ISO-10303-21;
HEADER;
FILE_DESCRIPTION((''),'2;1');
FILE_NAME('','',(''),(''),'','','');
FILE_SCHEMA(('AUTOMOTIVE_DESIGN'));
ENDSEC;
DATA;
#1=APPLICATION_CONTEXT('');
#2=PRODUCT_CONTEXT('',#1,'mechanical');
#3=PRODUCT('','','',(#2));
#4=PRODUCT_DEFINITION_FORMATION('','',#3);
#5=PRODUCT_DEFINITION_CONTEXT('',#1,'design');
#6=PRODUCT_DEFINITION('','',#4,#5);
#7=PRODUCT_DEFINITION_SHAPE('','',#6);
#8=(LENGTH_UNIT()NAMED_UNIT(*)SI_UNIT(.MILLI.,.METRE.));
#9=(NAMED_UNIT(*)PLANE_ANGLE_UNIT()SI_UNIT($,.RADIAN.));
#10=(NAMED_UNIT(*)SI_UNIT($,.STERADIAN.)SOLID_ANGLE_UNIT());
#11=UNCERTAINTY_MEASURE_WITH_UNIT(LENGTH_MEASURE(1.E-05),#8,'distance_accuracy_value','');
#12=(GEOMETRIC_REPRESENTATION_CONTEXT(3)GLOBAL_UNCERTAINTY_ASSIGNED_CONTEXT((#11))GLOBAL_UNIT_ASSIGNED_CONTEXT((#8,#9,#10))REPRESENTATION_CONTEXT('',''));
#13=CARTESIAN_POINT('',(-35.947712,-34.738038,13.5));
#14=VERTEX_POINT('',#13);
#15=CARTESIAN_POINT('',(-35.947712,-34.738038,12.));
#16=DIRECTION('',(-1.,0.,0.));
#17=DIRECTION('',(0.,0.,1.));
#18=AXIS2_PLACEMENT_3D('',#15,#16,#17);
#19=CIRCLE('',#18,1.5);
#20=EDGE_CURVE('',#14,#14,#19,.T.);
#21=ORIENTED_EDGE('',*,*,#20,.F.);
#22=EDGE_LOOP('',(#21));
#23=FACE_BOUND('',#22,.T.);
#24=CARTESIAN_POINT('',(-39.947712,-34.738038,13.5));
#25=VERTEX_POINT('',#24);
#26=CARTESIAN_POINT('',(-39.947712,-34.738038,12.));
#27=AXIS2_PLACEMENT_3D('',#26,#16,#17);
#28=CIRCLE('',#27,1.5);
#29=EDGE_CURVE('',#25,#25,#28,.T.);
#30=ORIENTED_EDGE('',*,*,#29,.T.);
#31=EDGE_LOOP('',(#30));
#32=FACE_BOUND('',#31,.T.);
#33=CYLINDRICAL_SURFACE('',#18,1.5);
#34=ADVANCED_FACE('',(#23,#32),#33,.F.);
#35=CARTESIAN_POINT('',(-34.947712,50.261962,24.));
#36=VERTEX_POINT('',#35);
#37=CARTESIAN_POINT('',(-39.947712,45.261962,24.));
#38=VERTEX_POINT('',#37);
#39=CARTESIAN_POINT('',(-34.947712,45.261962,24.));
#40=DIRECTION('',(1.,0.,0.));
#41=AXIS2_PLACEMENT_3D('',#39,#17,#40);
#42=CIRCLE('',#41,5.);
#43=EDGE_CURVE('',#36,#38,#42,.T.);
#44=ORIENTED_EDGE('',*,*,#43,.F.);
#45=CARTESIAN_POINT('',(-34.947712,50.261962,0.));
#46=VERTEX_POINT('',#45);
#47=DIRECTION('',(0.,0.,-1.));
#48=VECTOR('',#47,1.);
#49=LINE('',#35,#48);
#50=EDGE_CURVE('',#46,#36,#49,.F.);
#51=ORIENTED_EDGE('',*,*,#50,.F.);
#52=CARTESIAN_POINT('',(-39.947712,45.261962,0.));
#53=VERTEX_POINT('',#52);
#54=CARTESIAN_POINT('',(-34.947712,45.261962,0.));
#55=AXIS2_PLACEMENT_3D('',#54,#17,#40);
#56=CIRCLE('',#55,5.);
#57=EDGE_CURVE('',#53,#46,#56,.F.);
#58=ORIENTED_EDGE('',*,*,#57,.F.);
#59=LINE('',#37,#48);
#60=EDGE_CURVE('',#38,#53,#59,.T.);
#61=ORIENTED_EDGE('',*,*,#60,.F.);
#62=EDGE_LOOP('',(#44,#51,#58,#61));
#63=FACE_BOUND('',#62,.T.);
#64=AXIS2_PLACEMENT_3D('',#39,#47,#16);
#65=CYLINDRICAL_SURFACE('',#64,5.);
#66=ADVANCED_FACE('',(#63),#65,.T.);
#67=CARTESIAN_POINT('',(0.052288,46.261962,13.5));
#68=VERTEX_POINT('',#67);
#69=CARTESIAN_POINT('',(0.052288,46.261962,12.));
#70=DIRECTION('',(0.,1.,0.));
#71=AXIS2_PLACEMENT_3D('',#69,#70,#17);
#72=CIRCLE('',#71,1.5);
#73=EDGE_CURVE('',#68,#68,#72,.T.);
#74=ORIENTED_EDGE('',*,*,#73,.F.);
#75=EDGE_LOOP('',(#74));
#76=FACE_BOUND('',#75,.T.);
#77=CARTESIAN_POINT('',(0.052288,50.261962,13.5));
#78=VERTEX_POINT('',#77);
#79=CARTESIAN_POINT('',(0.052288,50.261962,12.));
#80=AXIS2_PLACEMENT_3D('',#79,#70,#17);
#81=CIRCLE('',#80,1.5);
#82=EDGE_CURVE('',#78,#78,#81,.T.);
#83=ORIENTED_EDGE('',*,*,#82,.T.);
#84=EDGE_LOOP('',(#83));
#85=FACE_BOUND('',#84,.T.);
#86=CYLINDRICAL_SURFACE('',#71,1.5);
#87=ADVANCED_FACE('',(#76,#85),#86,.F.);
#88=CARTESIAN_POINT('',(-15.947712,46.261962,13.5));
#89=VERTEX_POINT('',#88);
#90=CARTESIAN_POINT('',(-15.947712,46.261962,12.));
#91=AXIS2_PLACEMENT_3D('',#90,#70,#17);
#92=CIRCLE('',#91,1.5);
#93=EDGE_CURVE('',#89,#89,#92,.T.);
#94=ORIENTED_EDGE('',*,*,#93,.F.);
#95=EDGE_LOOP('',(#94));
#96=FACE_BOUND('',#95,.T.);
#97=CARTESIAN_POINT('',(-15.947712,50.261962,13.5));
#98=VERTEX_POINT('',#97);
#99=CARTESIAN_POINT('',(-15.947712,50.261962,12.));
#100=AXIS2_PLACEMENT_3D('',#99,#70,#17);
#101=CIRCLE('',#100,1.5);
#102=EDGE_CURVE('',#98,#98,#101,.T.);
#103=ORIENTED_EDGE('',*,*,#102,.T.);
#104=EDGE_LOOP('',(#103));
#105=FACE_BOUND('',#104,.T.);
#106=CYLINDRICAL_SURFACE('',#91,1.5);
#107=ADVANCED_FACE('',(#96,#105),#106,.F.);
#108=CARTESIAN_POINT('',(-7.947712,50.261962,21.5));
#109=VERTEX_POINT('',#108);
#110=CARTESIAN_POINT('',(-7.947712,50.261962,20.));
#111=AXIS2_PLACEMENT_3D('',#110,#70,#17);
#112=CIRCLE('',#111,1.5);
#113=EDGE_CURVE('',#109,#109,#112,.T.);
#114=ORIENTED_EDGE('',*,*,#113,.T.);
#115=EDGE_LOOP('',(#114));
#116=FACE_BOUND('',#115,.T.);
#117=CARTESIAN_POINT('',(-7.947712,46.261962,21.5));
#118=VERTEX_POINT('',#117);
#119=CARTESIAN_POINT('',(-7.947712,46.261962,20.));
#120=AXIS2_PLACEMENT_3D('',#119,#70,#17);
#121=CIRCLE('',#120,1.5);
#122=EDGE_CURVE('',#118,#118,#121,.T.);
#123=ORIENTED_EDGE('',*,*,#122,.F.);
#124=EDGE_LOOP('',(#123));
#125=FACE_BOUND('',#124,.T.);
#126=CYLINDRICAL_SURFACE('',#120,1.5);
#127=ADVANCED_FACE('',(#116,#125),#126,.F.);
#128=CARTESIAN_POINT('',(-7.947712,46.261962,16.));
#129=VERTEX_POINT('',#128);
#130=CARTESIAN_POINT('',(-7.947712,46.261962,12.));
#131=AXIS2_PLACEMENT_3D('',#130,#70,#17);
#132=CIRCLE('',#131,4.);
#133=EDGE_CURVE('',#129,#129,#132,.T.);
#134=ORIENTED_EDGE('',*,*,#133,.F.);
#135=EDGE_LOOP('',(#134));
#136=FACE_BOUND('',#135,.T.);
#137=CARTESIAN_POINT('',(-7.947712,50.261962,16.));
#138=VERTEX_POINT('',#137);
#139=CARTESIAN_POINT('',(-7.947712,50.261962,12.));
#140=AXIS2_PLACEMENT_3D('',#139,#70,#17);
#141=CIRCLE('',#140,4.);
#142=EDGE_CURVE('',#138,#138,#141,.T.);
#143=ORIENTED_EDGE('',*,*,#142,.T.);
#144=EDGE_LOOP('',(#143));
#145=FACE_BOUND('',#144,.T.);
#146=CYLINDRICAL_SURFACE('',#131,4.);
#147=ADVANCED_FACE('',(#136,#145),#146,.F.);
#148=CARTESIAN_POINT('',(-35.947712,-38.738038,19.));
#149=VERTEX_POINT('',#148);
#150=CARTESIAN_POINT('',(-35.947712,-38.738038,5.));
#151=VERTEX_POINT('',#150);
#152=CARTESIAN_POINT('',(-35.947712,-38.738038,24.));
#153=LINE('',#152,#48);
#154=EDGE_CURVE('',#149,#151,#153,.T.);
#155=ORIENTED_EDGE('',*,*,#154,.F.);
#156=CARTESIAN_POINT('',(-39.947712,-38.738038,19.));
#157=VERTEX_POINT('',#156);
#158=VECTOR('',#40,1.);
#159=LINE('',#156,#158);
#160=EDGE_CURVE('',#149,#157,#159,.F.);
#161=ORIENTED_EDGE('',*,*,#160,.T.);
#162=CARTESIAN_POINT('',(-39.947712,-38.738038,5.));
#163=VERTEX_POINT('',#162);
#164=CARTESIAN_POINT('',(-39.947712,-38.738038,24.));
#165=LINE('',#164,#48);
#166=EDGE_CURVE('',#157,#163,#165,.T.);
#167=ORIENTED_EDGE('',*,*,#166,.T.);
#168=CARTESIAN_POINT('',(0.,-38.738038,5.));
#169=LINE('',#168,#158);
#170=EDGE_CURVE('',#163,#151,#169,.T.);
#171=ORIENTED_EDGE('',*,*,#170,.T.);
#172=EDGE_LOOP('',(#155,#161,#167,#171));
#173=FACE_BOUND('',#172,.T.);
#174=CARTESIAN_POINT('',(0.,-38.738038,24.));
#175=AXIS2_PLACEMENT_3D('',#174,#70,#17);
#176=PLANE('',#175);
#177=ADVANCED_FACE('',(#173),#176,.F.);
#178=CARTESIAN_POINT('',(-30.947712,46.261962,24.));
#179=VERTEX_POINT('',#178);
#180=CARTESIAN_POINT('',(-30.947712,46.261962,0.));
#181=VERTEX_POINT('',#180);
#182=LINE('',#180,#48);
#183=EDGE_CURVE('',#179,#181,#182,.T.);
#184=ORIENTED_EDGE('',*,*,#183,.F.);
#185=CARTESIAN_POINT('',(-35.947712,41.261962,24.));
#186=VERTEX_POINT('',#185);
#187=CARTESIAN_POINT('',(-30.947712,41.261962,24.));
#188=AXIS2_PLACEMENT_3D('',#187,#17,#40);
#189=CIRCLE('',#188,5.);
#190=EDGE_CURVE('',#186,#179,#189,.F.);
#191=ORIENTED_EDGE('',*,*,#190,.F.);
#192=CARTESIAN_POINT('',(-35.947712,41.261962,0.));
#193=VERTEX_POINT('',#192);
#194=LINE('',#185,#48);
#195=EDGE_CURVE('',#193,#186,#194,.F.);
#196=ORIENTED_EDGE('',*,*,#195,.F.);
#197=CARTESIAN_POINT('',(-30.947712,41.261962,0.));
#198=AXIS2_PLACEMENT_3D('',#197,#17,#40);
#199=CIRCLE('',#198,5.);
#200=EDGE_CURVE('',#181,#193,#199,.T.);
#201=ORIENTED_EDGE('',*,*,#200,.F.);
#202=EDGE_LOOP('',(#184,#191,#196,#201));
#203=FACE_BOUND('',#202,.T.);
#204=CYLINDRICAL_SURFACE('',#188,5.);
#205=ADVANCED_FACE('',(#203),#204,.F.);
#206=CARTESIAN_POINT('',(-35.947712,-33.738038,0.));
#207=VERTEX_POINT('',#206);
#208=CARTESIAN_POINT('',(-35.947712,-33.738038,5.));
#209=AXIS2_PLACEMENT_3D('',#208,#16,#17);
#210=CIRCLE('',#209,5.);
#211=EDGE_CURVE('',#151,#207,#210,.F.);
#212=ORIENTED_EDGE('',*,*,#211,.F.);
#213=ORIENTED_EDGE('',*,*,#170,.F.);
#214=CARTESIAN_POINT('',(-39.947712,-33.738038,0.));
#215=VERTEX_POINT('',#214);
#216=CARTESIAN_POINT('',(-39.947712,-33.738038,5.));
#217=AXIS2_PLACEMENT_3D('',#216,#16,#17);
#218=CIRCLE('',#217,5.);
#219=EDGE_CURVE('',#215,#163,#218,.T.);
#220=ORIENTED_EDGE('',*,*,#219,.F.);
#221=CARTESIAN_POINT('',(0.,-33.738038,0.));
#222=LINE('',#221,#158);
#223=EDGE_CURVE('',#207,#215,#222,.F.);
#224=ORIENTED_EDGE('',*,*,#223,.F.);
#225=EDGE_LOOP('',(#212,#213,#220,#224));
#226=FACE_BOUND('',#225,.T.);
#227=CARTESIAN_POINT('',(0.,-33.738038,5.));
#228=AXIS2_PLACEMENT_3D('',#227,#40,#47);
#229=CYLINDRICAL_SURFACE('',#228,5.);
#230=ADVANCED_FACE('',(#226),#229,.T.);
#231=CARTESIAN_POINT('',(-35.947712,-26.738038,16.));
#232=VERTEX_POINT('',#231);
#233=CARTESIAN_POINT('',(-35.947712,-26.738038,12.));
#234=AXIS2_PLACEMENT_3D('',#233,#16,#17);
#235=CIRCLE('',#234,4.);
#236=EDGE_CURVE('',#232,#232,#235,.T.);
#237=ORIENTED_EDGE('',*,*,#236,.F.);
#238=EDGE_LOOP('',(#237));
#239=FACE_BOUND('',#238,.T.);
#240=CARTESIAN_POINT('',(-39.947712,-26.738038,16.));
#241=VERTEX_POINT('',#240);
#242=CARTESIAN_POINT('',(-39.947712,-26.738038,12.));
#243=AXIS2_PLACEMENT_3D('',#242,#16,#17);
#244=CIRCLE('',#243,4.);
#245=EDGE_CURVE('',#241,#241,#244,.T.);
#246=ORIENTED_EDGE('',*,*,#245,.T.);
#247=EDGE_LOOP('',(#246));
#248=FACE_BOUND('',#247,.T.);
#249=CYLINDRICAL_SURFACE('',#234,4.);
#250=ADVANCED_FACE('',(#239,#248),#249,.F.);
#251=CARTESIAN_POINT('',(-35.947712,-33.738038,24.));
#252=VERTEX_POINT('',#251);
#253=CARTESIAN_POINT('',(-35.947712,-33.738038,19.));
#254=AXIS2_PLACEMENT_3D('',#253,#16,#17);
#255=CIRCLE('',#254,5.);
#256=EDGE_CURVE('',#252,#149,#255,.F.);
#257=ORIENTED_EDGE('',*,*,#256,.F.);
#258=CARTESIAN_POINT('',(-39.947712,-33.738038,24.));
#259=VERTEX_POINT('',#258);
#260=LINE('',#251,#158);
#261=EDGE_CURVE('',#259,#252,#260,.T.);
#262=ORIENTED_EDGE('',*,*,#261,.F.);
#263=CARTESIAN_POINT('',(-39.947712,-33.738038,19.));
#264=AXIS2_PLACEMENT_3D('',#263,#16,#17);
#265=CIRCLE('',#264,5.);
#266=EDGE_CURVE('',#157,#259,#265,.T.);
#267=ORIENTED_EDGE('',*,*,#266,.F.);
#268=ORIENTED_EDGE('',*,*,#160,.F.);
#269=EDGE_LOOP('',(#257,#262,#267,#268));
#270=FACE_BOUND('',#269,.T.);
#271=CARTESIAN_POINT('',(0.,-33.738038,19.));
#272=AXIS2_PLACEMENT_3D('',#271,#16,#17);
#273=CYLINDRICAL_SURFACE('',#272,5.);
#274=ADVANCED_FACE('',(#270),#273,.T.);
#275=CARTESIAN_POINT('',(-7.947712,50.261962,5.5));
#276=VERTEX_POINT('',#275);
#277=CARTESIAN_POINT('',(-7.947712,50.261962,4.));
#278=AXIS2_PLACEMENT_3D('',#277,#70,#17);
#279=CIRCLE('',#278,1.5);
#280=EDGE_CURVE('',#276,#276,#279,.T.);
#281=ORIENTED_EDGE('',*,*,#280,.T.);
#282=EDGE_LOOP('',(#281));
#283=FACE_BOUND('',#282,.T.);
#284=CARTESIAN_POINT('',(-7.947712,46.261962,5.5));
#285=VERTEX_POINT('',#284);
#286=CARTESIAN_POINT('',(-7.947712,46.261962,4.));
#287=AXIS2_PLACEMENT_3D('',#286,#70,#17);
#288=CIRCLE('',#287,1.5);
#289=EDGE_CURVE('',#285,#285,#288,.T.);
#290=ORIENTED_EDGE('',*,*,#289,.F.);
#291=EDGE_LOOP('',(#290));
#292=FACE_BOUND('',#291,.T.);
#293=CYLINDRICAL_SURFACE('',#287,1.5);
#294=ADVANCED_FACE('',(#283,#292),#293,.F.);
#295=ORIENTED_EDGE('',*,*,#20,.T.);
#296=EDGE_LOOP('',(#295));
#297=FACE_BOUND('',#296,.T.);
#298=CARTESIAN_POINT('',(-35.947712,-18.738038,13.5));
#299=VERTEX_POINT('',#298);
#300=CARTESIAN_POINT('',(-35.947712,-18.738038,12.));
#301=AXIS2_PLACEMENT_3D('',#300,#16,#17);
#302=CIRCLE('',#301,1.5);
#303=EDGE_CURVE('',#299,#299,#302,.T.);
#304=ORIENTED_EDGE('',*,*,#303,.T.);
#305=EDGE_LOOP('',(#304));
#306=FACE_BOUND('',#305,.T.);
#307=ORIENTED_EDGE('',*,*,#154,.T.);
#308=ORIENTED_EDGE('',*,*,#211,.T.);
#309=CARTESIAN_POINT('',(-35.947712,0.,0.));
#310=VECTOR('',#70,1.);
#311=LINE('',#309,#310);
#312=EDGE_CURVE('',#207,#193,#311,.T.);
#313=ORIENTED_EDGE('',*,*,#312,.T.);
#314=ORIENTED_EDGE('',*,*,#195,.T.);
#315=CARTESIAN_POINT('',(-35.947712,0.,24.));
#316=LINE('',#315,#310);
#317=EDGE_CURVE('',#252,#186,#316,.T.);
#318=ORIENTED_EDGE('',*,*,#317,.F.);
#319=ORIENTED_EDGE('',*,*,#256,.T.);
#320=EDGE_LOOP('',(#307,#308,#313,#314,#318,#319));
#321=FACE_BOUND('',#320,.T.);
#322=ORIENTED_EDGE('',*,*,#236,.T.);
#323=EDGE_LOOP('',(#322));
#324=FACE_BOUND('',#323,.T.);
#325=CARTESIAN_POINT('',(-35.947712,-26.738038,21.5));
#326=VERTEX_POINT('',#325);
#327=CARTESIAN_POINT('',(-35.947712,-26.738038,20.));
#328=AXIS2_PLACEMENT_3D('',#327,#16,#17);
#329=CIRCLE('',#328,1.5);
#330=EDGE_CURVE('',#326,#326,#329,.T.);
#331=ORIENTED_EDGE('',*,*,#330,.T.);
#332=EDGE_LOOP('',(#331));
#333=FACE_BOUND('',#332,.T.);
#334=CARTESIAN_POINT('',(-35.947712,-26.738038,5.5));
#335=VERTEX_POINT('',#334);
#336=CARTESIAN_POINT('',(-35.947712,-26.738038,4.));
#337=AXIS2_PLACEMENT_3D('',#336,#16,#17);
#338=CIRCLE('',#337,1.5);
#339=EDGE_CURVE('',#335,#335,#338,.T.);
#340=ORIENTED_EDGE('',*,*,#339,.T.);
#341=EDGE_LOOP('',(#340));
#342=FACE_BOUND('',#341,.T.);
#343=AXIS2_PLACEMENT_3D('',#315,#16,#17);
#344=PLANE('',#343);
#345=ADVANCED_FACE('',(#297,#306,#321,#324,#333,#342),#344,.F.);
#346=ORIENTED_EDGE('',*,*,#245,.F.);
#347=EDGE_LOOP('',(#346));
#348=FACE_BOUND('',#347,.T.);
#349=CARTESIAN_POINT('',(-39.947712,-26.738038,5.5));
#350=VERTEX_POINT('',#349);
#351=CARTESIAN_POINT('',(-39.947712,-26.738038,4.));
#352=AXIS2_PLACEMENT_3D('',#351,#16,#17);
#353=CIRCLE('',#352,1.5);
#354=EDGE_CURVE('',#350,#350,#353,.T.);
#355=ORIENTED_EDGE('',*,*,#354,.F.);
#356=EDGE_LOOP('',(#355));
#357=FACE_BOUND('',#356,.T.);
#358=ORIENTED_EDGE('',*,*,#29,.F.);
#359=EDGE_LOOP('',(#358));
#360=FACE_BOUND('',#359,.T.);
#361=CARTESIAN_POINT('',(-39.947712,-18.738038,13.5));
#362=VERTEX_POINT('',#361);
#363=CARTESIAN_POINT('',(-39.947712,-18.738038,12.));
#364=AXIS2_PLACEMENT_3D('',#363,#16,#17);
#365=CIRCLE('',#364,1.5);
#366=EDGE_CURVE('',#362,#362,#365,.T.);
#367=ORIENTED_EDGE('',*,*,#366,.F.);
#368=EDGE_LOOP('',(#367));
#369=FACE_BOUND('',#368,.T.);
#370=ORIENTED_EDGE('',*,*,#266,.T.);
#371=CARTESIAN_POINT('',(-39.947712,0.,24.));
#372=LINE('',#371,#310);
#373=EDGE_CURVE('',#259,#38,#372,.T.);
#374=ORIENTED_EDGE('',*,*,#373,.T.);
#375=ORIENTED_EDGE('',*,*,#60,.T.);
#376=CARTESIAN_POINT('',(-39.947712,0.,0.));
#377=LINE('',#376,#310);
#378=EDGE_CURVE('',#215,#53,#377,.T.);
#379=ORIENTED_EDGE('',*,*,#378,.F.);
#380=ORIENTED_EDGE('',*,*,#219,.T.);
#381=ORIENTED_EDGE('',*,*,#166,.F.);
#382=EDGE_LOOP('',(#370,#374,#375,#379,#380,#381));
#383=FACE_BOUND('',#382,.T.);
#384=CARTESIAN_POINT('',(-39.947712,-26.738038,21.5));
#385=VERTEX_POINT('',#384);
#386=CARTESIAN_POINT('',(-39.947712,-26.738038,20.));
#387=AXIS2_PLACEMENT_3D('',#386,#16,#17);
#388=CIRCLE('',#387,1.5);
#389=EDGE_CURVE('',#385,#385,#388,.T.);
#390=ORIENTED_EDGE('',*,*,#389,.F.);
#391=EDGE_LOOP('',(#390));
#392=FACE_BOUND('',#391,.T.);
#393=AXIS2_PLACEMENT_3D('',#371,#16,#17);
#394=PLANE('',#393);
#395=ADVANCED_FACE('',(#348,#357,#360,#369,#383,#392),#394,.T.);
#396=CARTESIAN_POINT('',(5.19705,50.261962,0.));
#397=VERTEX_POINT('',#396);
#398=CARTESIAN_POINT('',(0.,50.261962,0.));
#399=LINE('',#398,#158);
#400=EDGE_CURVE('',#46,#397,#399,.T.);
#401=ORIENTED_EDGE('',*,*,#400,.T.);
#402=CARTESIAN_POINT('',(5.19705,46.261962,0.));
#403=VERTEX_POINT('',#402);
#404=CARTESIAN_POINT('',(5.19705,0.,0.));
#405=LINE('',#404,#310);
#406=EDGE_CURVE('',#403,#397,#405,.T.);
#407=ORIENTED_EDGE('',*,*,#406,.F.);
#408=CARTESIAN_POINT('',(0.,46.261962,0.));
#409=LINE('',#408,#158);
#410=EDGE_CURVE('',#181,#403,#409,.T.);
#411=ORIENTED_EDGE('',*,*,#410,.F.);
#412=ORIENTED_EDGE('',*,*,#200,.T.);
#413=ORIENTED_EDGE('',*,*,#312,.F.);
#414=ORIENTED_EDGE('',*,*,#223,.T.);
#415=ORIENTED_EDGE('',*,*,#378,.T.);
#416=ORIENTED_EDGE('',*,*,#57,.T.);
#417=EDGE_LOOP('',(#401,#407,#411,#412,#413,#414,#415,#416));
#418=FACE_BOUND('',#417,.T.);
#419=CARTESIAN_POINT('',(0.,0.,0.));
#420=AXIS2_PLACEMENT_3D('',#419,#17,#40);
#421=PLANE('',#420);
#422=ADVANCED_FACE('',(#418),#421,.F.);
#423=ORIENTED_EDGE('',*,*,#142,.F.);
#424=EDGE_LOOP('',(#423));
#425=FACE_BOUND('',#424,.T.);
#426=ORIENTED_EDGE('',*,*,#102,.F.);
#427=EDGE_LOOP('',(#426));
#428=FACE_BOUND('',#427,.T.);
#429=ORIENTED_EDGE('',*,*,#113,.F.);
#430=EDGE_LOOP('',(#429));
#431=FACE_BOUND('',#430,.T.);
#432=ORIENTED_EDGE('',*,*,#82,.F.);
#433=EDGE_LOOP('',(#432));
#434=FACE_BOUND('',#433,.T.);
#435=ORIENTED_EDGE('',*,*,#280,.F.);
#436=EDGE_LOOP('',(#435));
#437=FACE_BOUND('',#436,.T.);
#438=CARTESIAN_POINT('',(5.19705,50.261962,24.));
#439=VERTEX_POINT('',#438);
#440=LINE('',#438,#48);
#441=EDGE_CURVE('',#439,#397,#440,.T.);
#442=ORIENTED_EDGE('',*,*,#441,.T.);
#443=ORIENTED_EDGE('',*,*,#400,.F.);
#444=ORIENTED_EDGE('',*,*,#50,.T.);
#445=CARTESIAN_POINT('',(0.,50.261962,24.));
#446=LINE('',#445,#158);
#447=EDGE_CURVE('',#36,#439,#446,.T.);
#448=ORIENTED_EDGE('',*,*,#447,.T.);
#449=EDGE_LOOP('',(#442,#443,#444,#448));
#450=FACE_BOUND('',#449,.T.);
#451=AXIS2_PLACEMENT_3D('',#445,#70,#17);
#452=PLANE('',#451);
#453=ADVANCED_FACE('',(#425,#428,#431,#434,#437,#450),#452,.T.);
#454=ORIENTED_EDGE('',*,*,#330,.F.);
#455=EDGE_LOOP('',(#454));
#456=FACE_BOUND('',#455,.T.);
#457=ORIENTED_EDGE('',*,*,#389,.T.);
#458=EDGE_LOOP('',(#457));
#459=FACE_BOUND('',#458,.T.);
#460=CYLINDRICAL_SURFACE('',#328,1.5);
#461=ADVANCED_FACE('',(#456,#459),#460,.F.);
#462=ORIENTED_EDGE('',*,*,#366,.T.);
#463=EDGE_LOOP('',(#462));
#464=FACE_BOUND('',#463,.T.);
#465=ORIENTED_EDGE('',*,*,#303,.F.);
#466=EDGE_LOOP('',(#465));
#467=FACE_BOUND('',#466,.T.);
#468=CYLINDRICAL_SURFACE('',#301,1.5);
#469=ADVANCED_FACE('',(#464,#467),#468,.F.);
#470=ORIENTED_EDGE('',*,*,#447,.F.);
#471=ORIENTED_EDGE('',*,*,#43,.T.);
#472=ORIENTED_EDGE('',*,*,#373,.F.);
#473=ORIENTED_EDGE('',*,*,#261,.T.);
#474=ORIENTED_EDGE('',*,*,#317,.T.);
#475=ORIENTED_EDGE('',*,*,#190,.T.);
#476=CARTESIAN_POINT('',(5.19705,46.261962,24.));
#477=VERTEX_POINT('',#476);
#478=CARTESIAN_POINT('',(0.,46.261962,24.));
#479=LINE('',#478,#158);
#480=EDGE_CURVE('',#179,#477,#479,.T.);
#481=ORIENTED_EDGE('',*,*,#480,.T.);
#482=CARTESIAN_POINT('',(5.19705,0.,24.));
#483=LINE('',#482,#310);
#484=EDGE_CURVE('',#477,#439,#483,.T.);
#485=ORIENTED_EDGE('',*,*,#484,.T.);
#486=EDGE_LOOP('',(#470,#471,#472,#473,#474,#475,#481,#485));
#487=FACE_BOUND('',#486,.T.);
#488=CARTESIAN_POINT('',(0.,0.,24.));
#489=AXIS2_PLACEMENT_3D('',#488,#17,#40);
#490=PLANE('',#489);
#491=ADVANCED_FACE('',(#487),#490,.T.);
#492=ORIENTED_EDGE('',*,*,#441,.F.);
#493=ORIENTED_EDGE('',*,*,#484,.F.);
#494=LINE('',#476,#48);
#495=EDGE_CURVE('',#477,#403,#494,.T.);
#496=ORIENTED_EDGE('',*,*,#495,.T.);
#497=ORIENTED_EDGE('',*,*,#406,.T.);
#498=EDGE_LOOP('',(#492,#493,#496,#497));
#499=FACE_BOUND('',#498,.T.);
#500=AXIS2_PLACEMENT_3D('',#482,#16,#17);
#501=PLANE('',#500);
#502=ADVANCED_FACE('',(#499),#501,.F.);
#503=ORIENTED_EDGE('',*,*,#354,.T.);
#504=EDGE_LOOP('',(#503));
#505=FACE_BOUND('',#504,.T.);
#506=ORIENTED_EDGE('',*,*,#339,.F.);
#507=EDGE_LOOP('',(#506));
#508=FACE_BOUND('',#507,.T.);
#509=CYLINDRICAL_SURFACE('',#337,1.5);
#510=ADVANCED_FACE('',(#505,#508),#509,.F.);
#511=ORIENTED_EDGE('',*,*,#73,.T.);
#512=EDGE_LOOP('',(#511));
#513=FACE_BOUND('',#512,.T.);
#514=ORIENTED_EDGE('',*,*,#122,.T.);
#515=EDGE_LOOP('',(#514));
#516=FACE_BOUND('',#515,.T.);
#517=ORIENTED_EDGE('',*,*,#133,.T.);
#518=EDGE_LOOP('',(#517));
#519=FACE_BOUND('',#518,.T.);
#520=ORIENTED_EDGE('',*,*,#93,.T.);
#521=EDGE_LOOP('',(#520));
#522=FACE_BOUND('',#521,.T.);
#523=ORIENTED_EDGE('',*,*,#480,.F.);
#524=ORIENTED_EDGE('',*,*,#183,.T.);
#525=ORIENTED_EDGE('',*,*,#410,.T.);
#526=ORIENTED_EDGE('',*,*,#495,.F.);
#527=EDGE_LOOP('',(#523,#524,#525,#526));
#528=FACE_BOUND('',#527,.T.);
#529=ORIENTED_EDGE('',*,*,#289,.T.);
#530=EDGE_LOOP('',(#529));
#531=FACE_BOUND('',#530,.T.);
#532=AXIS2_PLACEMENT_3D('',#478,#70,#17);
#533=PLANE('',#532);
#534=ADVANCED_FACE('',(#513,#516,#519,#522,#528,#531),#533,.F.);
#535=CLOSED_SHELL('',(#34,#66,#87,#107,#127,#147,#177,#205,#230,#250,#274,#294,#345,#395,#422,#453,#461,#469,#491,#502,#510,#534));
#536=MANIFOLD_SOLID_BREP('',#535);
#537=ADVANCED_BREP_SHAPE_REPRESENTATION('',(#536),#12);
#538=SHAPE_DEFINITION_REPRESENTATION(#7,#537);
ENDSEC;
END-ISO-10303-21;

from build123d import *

# Parameters (mm, degrees)
BOSS_EXTRUDE1_DEPTH = 24
SKETCH3_R           = 4
SKETCH3_R_2         = 1.5
CUT_EXTRUDE2_DEPTH  = 4
SKETCH6_R           = 4
SKETCH6_R_2         = 1.5
CUT_EXTRUDE3_DEPTH  = 4
FILLET1_R           = 5


with BuildPart() as part:
    # Sketch1 → Boss-Extrude1 (new body)
    with BuildSketch(Plane.XY):
        Polygon((-35.947712149, -38.738038278), (-35.947712149, 46.261961722), (5.197050303, 46.261961722), (5.197050303, 50.261961722), (-39.947712149, 50.261961722), (-39.947712149, -38.738038278), align=None)
    extrude(amount=BOSS_EXTRUDE1_DEPTH)

    # Sketch3 → Cut-Extrude2 (cut)
    with BuildSketch(Plane.ZY.offset(39.947712149)):
        with Locations((12, -26.738038278)):
            Circle(SKETCH3_R)
        with Locations((20, -26.738038278)):
            Circle(SKETCH3_R_2)
        with Locations((12, -34.738038278)):
            Circle(SKETCH3_R_2)
        with Locations((4, -26.738038278)):
            Circle(SKETCH3_R_2)
        with Locations((12, -18.738038278)):
            Circle(SKETCH3_R_2)
    extrude(amount=-CUT_EXTRUDE2_DEPTH, mode=Mode.SUBTRACT)

    # Sketch6 → Cut-Extrude3 (cut)
    with BuildSketch(Plane(origin=(0, 50.261961722, 0), x_dir=(1, 0, 0), z_dir=(0, 1, 0))):
        with Locations((-7.947712149, -12)):
            Circle(SKETCH6_R)
        with Locations((0.052287851, -12)):
            Circle(SKETCH6_R_2)
        with Locations((-7.947712149, -20)):
            Circle(SKETCH6_R_2)
        with Locations((-15.947712149, -12)):
            Circle(SKETCH6_R_2)
        with Locations((-7.947712149, -4)):
            Circle(SKETCH6_R_2)
    extrude(amount=-CUT_EXTRUDE3_DEPTH, mode=Mode.SUBTRACT)

    # Fillet1
    fillet1_edges = [part.edges().sort_by_distance(p)[0] for p in [
        (-35.947712149, 46.261961722, 12),
        (-39.947712149, 50.261961722, 12),
        (-37.947712149, -38.738038278, 24),
        (-37.947712149, -38.738038278, 0),
    ]]
    fillet(fillet1_edges, radius=FILLET1_R)


solid = part.part
